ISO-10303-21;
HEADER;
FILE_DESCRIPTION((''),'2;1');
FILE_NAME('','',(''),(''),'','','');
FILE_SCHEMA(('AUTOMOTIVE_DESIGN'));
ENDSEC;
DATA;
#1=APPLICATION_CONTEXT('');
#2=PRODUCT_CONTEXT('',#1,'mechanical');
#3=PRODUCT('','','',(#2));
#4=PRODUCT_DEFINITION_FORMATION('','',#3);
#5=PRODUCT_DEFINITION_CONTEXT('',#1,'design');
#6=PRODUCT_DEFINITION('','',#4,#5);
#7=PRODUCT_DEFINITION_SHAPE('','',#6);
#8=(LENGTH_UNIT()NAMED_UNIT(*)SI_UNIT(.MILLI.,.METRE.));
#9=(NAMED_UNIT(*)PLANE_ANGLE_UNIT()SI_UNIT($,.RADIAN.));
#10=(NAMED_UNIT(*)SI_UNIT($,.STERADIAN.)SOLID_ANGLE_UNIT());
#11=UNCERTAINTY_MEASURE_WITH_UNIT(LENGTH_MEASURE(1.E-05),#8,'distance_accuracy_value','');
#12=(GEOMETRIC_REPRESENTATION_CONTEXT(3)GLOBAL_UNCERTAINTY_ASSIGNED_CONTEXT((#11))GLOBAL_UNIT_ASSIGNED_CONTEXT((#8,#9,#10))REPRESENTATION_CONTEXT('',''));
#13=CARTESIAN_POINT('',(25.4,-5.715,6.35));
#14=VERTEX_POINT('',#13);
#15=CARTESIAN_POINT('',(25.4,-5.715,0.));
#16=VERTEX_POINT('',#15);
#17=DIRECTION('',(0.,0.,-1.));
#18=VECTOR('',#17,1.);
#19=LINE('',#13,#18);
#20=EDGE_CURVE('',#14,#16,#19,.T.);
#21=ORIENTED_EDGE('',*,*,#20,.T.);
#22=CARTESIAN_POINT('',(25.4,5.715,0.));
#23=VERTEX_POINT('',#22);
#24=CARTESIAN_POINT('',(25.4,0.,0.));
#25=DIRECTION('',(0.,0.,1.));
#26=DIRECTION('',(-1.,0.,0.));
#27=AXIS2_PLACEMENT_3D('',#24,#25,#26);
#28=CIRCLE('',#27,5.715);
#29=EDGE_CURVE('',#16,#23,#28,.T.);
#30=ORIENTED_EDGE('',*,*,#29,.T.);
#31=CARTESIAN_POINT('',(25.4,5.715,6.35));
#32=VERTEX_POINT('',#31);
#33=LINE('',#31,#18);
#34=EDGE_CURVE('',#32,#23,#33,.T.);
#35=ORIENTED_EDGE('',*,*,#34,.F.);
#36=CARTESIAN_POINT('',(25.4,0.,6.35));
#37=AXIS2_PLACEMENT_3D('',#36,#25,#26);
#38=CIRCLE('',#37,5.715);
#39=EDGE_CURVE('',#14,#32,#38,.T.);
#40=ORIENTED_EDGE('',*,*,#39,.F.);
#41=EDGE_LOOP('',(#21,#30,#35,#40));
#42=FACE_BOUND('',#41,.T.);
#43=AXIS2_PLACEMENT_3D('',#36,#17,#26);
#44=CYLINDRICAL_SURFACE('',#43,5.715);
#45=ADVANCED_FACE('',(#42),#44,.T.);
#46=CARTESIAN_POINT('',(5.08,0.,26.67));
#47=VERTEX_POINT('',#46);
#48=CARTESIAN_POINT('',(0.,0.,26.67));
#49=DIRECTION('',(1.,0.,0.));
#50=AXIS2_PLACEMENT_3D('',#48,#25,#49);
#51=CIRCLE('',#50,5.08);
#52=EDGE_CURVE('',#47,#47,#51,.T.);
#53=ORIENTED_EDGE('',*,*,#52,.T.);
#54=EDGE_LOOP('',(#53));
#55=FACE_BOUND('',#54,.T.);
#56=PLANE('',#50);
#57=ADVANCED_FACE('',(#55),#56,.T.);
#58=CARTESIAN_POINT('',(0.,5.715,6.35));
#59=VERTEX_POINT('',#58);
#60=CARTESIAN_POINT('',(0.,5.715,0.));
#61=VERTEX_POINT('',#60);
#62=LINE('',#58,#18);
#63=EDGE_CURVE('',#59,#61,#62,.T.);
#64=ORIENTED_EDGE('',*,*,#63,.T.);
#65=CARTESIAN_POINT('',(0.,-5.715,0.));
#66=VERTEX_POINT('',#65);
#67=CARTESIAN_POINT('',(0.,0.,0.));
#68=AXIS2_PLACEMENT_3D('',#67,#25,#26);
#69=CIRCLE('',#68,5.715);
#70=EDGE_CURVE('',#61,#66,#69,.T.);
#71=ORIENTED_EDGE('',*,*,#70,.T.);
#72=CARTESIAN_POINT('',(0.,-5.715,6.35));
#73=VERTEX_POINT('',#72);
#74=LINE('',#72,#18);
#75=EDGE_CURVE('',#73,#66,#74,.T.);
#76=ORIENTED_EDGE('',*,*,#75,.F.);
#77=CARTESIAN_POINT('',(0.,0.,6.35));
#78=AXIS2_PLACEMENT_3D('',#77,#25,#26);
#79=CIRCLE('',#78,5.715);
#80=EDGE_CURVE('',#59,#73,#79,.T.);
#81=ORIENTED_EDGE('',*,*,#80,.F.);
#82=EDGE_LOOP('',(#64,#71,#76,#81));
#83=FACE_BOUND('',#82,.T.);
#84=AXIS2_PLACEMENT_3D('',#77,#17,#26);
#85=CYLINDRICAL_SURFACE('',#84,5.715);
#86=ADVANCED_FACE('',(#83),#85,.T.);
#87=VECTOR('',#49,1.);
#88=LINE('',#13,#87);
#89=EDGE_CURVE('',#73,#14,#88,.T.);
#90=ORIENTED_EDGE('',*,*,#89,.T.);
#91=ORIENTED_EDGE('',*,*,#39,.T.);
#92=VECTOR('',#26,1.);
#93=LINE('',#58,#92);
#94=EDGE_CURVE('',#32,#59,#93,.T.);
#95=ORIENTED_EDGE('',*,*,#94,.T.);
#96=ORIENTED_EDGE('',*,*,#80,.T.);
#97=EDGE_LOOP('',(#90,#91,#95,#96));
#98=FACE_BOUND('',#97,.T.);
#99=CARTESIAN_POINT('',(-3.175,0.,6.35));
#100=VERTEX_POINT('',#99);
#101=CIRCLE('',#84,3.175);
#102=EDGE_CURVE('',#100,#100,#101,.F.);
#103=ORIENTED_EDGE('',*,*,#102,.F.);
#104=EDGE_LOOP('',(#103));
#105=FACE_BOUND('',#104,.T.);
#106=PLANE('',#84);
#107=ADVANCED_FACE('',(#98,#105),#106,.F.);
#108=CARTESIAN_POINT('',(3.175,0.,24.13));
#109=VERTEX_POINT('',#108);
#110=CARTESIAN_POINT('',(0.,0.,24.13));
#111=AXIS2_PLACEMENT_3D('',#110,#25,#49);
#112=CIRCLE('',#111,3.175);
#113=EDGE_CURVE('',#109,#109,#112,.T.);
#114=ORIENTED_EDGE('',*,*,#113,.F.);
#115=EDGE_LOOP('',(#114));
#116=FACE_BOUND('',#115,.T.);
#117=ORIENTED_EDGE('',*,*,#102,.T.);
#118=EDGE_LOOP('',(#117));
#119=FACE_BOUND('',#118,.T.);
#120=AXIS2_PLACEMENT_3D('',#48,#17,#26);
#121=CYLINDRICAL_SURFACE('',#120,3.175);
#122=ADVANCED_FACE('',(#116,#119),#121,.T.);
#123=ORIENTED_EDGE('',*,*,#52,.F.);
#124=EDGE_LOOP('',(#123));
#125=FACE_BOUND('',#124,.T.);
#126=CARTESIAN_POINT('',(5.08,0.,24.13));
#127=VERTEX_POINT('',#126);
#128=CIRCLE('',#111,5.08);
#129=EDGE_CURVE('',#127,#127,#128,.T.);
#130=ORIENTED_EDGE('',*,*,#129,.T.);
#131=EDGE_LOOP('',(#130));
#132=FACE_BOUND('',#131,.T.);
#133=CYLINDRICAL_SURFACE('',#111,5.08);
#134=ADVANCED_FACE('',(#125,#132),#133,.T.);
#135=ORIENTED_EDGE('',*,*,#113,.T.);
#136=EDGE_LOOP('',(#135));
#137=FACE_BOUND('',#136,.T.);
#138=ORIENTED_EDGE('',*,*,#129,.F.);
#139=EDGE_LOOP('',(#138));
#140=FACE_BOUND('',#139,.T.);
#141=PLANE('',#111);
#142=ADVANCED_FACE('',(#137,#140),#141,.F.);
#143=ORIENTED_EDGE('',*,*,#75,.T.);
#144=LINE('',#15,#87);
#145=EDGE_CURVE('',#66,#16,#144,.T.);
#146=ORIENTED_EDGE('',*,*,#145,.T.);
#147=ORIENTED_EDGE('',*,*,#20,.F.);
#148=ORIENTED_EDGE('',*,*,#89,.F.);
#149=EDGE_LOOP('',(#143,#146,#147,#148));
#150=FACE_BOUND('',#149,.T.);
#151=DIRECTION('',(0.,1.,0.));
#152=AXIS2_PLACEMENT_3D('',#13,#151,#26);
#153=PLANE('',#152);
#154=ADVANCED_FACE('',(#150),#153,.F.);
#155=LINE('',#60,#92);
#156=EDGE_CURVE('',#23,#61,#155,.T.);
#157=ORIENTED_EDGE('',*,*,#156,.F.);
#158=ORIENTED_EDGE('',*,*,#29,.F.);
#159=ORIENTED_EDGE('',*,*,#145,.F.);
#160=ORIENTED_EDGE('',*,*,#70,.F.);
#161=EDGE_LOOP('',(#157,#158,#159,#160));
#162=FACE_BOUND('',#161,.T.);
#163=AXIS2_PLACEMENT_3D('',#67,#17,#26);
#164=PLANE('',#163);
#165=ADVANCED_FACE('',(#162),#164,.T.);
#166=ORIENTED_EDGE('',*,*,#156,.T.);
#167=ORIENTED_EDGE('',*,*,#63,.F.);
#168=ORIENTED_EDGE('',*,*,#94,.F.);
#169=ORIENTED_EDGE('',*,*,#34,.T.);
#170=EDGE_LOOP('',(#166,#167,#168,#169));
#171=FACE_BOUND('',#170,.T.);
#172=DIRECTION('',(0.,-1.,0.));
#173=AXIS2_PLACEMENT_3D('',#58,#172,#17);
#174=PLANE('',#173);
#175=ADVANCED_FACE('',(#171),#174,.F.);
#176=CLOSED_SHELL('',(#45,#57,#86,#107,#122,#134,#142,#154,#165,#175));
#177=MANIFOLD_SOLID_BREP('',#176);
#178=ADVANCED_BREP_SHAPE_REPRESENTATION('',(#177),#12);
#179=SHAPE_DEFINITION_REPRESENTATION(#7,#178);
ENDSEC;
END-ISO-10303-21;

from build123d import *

# Parameters (mm, degrees)
BOSS_EXTRUDE1_DEPTH = 6.35
SKETCH2_R           = 3.175
BOSS_EXTRUDE2_DEPTH = 20.32
SKETCH3_R           = 5.08
BOSS_EXTRUDE3_DEPTH = 2.54


with BuildPart() as part:
    # Sketch1 → Boss-Extrude1 (new body)
    with BuildSketch(Plane.XY):
        with BuildLine():
            Line((0, 5.715), (25.4, 5.715))
            ThreePointArc((25.4, 5.715), (31.115, 0), (25.4, -5.715))
            Line((25.4, -5.715), (0, -5.715))
            ThreePointArc((0, -5.715), (-5.715, 0), (0, 5.715))
        make_face()
    extrude(amount=BOSS_EXTRUDE1_DEPTH)

    # Sketch2 → Boss-Extrude2 (add)
    with BuildSketch(Plane.XY.offset(6.35)):
        with Locations(Location((0, 0, 0), (0, 0, 180))):
            Circle(SKETCH2_R)
    extrude(amount=BOSS_EXTRUDE2_DEPTH)

    # Sketch3 → Boss-Extrude3 (add)
    with BuildSketch(Plane.XY.offset(26.67)):
        Circle(SKETCH3_R)
    extrude(amount=-BOSS_EXTRUDE3_DEPTH)


solid = part.part
